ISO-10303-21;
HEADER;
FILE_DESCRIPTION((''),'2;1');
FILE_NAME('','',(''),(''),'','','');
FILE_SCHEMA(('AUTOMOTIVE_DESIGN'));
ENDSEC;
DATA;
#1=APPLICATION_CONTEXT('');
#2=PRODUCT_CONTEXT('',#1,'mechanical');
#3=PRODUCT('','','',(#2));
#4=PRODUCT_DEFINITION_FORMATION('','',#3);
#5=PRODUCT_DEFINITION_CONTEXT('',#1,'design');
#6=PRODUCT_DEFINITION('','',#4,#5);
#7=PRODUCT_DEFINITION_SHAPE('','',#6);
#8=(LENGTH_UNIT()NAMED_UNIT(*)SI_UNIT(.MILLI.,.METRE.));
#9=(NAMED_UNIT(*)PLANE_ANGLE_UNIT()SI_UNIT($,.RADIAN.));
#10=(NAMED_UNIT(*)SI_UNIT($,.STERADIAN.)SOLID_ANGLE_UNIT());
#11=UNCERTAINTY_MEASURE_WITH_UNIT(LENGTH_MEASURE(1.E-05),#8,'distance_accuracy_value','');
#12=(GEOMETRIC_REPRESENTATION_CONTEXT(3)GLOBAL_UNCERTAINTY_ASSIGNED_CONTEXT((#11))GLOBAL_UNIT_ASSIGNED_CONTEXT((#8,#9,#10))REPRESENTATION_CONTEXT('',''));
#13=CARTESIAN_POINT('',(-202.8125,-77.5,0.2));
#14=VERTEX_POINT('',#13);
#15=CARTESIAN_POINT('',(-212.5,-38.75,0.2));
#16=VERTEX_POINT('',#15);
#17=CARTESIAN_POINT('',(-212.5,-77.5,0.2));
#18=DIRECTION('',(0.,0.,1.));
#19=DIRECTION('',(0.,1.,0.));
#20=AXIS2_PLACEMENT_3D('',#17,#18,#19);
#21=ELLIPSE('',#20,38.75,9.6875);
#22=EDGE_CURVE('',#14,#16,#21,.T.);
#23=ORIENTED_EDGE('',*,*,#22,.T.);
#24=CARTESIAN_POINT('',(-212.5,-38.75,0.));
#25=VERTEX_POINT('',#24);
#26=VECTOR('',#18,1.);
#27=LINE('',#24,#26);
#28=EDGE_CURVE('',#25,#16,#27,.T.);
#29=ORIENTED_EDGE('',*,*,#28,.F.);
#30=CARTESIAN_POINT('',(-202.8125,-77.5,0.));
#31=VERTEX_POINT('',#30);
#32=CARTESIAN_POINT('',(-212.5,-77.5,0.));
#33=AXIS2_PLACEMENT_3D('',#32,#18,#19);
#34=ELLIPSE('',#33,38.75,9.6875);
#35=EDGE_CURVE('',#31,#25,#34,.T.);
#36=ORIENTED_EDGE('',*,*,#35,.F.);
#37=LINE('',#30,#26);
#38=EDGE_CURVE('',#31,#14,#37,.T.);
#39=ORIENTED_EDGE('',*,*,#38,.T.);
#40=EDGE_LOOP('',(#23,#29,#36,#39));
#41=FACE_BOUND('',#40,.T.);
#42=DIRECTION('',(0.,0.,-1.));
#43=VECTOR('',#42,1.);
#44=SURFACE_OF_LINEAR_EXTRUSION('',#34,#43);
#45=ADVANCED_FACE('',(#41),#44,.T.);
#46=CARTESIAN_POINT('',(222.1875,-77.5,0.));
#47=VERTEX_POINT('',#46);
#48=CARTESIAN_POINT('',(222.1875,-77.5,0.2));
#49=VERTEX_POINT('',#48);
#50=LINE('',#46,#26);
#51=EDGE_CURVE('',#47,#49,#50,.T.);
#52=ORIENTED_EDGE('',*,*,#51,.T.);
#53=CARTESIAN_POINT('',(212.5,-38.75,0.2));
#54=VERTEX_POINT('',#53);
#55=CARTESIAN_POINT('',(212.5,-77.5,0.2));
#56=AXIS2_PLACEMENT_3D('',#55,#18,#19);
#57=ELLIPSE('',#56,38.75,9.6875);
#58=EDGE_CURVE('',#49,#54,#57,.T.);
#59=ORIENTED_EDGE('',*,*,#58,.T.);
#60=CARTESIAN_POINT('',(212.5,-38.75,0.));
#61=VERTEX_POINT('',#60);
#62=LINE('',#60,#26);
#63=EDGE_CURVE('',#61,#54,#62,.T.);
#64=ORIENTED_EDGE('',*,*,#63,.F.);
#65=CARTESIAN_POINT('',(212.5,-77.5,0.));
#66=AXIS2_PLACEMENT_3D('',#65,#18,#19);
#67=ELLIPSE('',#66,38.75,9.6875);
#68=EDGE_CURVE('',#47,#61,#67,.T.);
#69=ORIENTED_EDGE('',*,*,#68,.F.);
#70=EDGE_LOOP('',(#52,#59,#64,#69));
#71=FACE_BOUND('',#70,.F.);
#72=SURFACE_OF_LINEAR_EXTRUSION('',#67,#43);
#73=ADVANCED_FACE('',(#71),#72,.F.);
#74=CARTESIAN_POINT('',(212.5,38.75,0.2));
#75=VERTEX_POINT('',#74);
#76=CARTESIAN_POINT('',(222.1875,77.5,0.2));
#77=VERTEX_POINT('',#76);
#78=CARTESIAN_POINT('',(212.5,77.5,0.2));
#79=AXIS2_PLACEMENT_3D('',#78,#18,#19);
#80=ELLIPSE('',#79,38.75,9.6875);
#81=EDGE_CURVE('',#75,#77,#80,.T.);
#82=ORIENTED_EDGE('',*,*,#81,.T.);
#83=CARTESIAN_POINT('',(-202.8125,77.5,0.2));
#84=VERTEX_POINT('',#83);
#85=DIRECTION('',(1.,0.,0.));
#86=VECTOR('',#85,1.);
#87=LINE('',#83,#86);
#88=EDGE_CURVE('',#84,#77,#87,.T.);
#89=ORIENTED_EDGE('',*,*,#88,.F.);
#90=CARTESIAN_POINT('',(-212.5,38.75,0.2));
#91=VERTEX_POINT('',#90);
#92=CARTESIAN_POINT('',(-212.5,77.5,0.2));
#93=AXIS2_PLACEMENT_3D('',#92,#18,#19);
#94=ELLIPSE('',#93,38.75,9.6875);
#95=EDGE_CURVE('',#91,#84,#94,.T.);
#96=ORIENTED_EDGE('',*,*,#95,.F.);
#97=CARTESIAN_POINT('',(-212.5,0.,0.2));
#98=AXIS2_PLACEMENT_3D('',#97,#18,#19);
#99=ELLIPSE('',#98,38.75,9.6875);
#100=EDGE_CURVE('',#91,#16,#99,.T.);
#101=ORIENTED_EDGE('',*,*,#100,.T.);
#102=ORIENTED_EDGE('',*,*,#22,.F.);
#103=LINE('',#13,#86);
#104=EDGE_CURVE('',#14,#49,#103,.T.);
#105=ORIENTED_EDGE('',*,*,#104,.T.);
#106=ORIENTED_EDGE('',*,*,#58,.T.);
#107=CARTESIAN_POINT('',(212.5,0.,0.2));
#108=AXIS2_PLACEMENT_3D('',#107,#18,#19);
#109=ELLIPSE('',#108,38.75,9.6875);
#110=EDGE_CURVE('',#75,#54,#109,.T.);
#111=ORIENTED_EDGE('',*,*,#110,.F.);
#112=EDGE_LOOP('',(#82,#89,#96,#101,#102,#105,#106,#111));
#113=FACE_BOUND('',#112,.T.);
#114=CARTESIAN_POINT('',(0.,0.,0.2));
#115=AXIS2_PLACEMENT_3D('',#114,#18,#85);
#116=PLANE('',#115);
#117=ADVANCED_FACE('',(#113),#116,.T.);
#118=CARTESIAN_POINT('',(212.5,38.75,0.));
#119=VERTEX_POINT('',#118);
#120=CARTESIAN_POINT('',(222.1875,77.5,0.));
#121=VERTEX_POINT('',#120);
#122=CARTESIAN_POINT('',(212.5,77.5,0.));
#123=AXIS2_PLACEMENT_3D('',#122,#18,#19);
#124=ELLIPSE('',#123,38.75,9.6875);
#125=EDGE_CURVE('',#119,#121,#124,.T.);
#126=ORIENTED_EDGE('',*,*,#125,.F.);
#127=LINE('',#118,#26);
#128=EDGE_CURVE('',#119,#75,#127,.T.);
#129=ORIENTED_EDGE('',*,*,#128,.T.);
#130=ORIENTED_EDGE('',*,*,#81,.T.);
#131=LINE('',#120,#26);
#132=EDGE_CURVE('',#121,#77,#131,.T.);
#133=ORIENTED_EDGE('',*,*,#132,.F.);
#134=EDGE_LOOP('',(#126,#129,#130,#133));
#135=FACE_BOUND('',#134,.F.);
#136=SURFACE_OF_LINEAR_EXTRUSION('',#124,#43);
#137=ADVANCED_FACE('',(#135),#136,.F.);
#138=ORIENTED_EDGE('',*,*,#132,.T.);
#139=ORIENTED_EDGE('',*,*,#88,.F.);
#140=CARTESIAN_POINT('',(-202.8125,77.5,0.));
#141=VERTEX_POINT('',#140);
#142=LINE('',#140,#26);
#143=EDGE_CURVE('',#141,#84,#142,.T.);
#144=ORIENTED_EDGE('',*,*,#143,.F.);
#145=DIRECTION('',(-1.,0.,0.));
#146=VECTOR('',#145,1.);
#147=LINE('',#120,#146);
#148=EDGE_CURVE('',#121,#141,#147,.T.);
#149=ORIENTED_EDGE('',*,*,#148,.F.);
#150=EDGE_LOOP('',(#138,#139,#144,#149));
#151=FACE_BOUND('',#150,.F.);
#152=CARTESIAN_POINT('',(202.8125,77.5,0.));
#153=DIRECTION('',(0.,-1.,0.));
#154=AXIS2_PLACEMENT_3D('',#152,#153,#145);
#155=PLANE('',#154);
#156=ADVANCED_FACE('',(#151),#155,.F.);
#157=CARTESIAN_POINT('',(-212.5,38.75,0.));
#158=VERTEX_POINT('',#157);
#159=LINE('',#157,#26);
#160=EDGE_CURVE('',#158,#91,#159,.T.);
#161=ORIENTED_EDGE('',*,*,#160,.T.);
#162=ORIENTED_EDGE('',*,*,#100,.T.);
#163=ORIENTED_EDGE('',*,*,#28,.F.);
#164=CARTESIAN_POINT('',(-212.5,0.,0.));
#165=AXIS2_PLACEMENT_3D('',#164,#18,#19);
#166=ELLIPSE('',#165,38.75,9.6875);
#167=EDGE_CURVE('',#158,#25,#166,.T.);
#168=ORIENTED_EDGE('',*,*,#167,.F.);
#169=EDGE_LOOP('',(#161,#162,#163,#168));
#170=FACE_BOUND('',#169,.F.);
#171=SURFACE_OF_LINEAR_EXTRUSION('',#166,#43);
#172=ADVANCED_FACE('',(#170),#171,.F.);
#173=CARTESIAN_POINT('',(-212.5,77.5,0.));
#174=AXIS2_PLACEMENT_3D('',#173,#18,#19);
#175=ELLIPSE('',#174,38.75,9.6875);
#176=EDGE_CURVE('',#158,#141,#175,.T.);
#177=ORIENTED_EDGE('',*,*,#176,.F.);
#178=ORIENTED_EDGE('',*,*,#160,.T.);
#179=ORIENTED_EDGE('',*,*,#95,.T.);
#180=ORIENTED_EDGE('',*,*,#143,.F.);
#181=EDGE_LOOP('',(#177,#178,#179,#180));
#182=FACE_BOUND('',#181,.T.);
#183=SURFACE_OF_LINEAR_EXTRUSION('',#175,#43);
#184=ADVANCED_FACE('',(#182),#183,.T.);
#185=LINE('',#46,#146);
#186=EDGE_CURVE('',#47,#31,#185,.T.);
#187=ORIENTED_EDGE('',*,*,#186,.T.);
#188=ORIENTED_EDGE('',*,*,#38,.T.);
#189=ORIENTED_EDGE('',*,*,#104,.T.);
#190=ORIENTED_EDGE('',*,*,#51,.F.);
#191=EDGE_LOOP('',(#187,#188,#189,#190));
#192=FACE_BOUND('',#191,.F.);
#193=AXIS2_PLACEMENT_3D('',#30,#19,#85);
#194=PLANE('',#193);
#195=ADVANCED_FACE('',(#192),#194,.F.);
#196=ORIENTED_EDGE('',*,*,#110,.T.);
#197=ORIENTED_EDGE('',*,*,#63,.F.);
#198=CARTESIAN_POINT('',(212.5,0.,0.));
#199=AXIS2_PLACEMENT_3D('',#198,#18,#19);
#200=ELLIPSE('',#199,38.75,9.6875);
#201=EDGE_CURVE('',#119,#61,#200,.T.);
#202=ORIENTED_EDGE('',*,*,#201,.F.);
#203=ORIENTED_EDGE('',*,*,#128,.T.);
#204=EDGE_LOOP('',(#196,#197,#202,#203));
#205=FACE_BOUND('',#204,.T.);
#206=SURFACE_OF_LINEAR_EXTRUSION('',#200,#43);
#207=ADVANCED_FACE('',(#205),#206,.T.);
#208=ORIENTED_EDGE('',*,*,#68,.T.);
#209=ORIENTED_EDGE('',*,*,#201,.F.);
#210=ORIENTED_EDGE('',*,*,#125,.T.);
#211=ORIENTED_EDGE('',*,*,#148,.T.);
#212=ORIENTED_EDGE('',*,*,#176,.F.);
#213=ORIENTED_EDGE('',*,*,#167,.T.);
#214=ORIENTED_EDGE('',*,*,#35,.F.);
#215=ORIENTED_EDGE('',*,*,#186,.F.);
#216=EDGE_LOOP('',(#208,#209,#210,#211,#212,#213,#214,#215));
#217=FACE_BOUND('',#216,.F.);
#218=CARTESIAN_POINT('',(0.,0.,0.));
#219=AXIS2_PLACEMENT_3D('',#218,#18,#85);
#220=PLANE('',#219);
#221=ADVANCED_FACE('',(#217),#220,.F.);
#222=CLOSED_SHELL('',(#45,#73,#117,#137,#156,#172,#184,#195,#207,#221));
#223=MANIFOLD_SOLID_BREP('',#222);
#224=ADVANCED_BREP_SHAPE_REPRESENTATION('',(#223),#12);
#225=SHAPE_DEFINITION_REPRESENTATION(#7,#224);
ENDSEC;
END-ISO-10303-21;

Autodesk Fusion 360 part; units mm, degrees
sketch "Sketch1" plane through (0, 0, 0) normal (0, 0, 1) x (1, 0, 0)
  line L0 (212.5, 77.5) -> (-212.5, 77.5)
  line L1 (-212.5, 77.5) -> (-212.5, -77.5)
  line L2 (-212.5, -77.5) -> (212.5, -77.5)
  line L3 (212.5, -77.5) -> (212.5, 77.5)
  line L4 (212.5, 77.5) -> (-212.5, -77.5) construction
  line L5 (-212.5, 77.5) -> (212.5, -77.5) construction
  ellipse E0 centre (-212.5, 77.5) end of major axis (-212.5, 116.25) minor radius 9.6875
  line L6 (-212.5, 38.75) -> (-212.5, 116.25)
  line L7 (-202.8125, 77.5) -> (-222.1875, 77.5)
  ellipse E1 centre (212.5, 77.5) end of major axis (212.5, 116.25) minor radius 9.6875
  ellipse E2 centre (-212.5, 0) end of major axis (-212.5, 38.75) minor radius 9.6875
  ellipse E3 centre (212.5, 0) end of major axis (212.5, 38.75) minor radius 9.6875
  ellipse E4 centre (-212.5, -77.5) end of major axis (-212.5, -38.75) minor radius 9.6875
  ellipse E5 centre (212.5, -77.5) end of major axis (212.5, -38.75) minor radius 9.6875
  line L8 (212.5, -77.5) -> (250, -77.5)
  line L9 (212.5, 77.5) -> (250, 77.5)
  dimension "d3" = 425
  dimension "d4" = 155
  dimension "d5" = 77.5
  dimension "d6" = 19.375
  dimension "d9" = 425
extrude "Extrude1" add sketch "Sketch1" along normal blind 0.2 contours L0 L2 E0 E1 E2 E3 E4 E5 | L0 L3 E1 | L1 E2 | L1 E2 | L3 E1 L9 | L3 E5 L8 | L2 L3 E5
sketch "Sketch2" plane through (0, 0, 0.2) normal (0, 0, 1) x (1, 0, 0)
  line L0 (222.1875, 77.5) -> (-202.8125, 77.5)
  ellipse E0 centre (-212.5, 77.5) end of major axis (-212.5, 116.25) minor radius 9.6875 (-212.5, 38.75) -> (-202.8125, 77.5) ccw
  ellipse E1 centre (-212.5, 0) end of major axis (-212.5, 38.75) minor radius 9.6875 (-212.5, 38.75) -> (-212.5, -38.75) ccw
  ellipse E2 centre (-212.5, -77.5) end of major axis (-212.5, -38.75) minor radius 9.6875 (-202.8125, -77.5) -> (-212.5, -38.75) ccw
  line L1 (-202.8125, -77.5) -> (222.1875, -77.5)
  ellipse E3 centre (212.5, -77.5) end of major axis (212.5, -38.75) minor radius 9.6875 (222.1875, -77.5) -> (212.5, -38.75) ccw
  ellipse E4 centre (212.5, 0) end of major axis (212.5, 38.75) minor radius 9.6875 (212.5, 38.75) -> (212.5, -38.75) ccw
  ellipse E5 centre (212.5, 77.5) end of major axis (212.5, 116.25) minor radius 9.6875 (212.5, 38.75) -> (222.1875, 77.5) ccw
equation "belt_length = 425 mm"
equation "belt_width = 155 mm"
equation "d3 = belt_length"
equation "d4 = belt_width"
equation "d5 = belt_width / 2"
equation "d6 = belt_width / 8"
equation "d9 = belt_length"
equation "d10 = -belt_width"
